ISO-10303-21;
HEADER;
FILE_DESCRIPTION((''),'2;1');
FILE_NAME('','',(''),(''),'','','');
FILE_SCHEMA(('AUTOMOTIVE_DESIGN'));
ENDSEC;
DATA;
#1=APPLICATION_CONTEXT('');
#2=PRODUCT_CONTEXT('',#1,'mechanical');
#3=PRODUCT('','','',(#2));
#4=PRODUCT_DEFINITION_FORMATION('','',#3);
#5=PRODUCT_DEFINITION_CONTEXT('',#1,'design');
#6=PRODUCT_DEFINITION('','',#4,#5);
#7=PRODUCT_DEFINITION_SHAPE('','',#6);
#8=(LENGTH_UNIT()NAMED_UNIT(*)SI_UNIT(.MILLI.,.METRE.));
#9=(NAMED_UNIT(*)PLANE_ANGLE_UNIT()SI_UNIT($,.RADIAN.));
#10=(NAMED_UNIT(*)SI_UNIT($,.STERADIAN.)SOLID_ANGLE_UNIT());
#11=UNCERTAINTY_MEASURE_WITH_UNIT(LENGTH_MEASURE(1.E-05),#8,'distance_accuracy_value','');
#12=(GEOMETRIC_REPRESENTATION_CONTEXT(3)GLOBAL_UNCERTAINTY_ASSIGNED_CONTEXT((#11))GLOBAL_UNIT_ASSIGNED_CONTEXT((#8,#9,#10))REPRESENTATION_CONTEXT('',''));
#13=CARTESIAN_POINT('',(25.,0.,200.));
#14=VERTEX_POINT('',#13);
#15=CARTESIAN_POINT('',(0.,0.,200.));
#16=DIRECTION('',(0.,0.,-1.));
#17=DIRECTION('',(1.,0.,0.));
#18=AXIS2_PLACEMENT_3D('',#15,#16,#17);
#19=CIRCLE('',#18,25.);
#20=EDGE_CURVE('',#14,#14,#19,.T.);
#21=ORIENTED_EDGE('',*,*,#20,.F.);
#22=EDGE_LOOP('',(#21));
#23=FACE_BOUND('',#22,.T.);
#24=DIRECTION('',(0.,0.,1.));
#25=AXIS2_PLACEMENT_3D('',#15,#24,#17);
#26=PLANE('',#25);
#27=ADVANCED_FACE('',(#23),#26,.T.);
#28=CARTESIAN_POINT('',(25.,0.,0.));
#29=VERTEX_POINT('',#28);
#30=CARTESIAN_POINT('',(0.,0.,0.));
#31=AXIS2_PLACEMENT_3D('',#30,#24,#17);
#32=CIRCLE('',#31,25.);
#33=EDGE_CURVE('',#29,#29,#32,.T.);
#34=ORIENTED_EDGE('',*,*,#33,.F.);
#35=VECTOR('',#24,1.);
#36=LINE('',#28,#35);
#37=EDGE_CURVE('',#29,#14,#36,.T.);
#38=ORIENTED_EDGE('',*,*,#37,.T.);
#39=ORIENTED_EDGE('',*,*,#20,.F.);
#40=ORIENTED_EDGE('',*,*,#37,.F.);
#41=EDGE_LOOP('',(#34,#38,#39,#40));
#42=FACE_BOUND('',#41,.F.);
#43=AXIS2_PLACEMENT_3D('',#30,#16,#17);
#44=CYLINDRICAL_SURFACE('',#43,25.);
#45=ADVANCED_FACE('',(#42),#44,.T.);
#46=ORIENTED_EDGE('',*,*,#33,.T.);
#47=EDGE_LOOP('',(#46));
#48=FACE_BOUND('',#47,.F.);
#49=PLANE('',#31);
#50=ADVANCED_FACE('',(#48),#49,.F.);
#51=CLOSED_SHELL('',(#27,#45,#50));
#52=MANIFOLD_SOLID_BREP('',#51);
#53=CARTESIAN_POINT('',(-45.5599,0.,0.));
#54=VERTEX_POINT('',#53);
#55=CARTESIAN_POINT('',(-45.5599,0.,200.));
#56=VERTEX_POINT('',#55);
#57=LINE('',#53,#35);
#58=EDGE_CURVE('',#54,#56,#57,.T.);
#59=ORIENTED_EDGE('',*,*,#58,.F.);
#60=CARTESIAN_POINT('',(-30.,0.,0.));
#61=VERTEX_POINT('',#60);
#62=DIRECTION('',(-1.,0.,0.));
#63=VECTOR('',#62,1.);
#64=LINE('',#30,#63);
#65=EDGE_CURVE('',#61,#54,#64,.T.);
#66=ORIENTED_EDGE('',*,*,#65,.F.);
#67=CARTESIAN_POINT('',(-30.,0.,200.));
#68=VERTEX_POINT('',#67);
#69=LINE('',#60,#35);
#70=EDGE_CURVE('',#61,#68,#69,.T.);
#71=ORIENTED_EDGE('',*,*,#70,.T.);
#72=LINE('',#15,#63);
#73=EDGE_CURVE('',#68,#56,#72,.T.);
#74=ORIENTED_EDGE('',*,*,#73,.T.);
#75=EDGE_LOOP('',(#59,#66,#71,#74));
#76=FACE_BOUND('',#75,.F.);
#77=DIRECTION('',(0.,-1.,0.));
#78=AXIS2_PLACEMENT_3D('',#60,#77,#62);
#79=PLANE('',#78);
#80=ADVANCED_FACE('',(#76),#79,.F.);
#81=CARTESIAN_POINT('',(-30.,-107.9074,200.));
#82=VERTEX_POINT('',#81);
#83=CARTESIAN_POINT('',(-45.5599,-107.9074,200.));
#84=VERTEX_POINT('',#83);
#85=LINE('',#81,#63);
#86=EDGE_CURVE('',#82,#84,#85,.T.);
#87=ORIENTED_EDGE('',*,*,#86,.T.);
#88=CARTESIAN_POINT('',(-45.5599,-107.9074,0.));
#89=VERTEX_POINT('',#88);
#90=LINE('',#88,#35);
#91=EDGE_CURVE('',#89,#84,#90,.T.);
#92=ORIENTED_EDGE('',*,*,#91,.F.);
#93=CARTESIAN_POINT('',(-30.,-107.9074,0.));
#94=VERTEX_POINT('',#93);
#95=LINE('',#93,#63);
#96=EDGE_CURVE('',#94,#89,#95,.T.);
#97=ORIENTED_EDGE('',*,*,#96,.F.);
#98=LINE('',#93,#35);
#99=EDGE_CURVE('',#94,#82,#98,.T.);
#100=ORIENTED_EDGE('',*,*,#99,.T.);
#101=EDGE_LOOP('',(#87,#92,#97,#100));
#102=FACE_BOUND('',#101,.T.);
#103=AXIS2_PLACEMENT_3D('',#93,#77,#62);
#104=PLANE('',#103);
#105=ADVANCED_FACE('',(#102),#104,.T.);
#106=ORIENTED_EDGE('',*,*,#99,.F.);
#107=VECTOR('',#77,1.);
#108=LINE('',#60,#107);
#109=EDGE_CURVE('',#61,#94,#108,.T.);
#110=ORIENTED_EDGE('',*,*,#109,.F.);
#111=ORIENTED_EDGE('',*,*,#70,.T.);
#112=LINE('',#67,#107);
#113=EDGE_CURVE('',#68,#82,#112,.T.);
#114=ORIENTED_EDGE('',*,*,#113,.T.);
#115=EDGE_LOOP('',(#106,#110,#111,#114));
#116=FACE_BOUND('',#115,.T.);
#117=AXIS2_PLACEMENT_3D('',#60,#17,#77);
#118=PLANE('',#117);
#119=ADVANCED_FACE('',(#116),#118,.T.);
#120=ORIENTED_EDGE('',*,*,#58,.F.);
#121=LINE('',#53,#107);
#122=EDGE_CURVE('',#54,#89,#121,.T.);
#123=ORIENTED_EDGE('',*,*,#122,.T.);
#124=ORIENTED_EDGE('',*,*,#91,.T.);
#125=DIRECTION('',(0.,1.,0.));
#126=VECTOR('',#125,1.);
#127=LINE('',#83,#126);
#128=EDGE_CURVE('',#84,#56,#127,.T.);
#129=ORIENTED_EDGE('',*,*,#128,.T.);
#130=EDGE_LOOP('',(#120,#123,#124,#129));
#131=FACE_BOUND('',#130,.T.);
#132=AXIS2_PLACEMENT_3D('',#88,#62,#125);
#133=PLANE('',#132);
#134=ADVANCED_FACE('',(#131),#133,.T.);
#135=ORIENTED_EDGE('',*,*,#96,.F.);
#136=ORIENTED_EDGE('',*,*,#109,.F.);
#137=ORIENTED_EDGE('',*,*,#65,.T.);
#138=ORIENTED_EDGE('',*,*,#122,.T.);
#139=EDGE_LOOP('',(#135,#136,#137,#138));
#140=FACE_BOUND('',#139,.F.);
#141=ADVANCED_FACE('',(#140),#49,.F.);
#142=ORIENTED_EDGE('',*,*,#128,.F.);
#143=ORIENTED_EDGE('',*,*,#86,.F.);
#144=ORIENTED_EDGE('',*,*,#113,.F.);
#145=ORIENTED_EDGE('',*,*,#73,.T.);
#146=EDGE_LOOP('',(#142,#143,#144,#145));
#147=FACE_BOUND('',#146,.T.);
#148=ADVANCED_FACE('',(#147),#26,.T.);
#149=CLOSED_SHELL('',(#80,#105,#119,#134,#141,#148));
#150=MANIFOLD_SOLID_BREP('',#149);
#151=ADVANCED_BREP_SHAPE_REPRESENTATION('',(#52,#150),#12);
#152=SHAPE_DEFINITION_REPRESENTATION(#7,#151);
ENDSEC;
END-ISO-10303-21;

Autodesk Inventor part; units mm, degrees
ref_plane "YZ Plane" through (0, 0, 0) normal (1, 0, 0) x (0, 1, 0)
ref_plane "XZ Plane" through (0, 0, 0) normal (0, 1, 0) x (-1, 0, 0)
ref_plane "XY Plane" through (0, 0, 0) normal (0, 0, 1) x (1, 0, 0)
sketch "Sketch1" plane through (0, 0, 0) normal (0, 0, 1) x (1, 0, 0)
  circle A0 centre (0, 0) radius 25
  line L0 (0, 0) -> (-45.5599, 0)
  line L1 (-45.5599, 0) -> (-45.5599, -94.5606)
  line L2 (-45.5599, 0) -> (0, 0)
  line L3 (-45.5599, 0) -> (-30, 0)
  line L4 (-30, 0) -> (-30, -107.9074)
  line L5 (-30, -107.9074) -> (-45.5599, -107.9074)
  line L6 (-45.5599, -107.9074) -> (-45.5599, 0)
  line L7 (-30, -107.9074) -> (0, 0)
  dimension "d0" = 50
  dimension "d7" = 112
  dimension "d8" = 30
extrude "Extrusion1" add sketch "Sketch1" along normal blind 200 contours A0 L7 L0 | L0 L7 A0 | L4 L5 L6 L1 L0
properties part number "kes"
